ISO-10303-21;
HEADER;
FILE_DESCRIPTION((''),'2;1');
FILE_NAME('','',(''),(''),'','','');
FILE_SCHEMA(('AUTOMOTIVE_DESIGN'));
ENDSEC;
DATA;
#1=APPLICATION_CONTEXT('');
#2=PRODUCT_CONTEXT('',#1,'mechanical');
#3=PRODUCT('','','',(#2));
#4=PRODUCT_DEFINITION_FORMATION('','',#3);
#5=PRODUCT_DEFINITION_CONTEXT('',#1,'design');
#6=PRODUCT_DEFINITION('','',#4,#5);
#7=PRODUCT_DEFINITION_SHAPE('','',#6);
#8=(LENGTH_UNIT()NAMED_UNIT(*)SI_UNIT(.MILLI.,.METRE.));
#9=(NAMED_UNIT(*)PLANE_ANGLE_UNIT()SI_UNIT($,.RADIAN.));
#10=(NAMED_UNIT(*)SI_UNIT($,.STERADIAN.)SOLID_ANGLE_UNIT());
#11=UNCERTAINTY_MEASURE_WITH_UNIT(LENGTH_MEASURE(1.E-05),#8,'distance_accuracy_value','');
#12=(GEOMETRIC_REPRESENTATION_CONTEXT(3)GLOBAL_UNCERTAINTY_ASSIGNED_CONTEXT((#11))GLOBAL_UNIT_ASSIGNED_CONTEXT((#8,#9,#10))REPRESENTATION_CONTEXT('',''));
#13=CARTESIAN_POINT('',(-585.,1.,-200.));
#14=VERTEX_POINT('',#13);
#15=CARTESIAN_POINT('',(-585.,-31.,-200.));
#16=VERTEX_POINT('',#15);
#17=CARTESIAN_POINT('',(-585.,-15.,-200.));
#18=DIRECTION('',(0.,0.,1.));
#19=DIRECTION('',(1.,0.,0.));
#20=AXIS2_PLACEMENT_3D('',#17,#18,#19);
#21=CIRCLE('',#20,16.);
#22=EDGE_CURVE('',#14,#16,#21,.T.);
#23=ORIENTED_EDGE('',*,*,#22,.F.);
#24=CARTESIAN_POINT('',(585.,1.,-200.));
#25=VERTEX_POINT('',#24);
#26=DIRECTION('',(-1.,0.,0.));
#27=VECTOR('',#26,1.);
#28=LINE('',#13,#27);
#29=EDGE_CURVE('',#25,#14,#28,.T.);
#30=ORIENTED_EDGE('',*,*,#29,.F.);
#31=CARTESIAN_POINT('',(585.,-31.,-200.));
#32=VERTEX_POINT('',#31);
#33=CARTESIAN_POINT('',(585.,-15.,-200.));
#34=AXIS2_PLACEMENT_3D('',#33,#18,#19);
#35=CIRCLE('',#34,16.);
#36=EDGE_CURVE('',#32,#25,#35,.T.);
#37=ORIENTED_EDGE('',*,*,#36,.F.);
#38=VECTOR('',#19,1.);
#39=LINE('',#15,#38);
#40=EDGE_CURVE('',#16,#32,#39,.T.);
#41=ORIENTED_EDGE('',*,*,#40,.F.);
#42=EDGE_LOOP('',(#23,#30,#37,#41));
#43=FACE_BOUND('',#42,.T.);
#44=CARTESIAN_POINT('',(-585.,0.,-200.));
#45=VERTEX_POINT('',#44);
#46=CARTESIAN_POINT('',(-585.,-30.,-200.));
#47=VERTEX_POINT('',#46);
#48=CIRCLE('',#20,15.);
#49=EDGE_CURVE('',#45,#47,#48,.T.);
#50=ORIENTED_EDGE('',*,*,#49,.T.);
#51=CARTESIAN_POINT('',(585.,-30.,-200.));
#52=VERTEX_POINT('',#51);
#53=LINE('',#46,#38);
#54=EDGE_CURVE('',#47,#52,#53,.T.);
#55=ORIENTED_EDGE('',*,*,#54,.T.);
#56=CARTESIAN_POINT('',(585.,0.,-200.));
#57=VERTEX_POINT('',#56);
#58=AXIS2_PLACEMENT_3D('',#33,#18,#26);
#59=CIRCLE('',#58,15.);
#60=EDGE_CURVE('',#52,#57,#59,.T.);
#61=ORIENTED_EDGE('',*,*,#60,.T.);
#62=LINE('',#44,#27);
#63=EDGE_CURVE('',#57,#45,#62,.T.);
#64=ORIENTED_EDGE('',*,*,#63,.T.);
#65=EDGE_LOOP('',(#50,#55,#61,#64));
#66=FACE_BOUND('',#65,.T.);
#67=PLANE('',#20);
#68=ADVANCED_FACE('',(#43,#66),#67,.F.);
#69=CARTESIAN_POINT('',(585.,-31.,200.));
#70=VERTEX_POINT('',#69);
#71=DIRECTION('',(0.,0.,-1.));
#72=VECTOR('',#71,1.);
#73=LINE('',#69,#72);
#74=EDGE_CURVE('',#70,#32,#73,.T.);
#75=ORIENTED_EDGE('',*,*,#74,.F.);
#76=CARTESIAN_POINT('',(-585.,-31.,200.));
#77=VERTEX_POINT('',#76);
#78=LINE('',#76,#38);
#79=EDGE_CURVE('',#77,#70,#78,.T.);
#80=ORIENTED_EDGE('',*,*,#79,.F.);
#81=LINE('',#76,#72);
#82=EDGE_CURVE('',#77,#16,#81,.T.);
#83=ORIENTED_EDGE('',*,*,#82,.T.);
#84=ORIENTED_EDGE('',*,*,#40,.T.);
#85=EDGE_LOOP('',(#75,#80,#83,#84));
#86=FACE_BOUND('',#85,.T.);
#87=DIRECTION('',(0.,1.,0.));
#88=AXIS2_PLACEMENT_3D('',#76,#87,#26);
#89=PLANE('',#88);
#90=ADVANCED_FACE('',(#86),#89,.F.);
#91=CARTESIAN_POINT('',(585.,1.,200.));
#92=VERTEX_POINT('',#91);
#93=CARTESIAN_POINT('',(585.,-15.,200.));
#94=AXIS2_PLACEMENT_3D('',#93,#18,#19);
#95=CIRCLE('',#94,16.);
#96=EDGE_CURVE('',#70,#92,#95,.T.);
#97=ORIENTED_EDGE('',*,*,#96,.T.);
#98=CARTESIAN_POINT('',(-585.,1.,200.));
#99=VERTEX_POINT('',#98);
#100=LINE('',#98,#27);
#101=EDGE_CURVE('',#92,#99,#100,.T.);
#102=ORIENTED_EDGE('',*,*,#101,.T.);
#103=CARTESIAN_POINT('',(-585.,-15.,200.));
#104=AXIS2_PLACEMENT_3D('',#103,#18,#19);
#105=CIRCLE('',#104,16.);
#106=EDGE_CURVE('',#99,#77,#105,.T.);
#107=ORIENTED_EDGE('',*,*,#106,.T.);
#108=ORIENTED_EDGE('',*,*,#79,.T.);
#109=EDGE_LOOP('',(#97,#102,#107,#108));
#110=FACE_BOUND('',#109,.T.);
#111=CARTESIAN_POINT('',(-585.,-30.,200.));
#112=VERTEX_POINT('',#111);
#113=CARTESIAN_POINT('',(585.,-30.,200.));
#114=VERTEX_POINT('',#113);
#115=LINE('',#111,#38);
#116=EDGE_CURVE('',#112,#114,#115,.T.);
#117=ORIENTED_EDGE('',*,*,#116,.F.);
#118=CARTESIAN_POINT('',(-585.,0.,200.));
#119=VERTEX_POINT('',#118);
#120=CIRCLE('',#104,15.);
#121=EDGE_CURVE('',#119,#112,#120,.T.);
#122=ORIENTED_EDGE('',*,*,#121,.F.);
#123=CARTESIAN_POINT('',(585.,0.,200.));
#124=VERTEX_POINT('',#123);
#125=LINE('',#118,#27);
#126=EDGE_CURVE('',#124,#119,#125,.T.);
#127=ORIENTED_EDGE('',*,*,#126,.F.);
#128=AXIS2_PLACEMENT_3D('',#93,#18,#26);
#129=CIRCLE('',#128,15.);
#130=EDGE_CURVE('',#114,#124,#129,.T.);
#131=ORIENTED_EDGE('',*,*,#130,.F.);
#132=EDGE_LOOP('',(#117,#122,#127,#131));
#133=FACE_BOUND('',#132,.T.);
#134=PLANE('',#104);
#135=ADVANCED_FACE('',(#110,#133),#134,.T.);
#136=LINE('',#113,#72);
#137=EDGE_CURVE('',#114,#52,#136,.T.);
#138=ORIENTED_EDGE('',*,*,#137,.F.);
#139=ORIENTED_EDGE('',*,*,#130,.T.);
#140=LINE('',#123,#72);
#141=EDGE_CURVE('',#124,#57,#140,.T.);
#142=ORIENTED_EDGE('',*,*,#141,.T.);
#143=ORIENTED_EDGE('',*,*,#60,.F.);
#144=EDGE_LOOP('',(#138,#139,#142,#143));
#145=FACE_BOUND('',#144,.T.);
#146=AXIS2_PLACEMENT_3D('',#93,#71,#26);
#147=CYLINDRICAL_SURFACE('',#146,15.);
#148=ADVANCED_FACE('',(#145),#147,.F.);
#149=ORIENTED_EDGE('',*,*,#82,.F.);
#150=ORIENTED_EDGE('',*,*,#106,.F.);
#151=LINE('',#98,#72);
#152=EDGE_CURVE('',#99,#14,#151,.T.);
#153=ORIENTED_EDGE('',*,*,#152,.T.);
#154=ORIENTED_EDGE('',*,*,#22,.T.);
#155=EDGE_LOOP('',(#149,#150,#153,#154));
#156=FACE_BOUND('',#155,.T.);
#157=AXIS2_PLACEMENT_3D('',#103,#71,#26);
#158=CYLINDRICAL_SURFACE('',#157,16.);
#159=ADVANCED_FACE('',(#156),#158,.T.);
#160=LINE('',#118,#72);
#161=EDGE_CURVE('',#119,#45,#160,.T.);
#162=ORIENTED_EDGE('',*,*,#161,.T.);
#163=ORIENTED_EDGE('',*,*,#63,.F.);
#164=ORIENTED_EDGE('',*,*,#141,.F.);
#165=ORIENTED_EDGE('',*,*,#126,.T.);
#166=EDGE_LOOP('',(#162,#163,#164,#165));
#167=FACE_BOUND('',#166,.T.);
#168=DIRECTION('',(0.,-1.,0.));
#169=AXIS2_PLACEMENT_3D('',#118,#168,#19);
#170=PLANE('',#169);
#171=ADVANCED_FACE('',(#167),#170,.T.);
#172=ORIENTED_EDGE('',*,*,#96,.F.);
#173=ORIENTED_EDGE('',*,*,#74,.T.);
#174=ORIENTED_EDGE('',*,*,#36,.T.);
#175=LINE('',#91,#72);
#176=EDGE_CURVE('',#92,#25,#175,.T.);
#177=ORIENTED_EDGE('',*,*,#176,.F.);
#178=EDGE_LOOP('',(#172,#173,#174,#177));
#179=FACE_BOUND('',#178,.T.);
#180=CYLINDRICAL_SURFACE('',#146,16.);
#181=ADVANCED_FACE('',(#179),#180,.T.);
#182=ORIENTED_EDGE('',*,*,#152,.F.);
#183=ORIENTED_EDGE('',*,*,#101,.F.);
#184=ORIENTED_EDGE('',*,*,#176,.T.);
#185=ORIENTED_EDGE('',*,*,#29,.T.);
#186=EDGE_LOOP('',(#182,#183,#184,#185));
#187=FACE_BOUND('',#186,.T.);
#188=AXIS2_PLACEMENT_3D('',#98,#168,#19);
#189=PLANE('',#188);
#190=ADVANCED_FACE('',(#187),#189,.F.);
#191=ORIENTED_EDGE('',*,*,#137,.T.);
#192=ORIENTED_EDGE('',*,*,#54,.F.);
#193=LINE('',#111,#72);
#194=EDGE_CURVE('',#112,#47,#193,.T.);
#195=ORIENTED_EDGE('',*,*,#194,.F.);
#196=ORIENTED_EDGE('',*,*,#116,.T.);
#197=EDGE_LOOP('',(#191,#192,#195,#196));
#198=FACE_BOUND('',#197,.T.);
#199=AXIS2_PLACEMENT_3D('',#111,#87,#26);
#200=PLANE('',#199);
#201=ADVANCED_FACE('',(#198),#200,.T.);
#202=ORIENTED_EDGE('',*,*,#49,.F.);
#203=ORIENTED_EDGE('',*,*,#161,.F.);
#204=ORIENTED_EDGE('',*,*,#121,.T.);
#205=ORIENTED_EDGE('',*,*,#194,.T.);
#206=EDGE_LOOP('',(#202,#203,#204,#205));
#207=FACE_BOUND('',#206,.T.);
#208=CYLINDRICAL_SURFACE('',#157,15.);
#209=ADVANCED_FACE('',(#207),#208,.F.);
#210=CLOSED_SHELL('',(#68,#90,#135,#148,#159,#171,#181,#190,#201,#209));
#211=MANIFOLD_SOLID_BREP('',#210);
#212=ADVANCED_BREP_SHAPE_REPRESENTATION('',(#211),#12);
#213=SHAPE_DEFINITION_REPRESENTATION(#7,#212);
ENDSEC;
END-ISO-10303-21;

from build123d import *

# Parameters (mm, degrees)
EXTRUDE_THIN1_DEPTH = 200


with BuildPart() as part:
    # Sketch1 → Extrude-Thin1 (new body, symmetric)
    with BuildSketch(Plane.XY):
        with BuildLine():
            Line((585, -31), (-585, -31))
            ThreePointArc((-585, -31), (-601, -15), (-585, 1))
            Line((-585, 1), (585, 1))
            ThreePointArc((585, 1), (601, -15), (585, -31))
        make_face()
        with BuildLine():
            Line((585, -30), (-585, -30))
            ThreePointArc((-585, -30), (-600, -15), (-585, 0))
            Line((-585, 0), (585, 0))
            ThreePointArc((585, 0), (600, -15), (585, -30))
        make_face(mode=Mode.SUBTRACT)
    extrude(amount=EXTRUDE_THIN1_DEPTH, both=True)


solid = part.part
